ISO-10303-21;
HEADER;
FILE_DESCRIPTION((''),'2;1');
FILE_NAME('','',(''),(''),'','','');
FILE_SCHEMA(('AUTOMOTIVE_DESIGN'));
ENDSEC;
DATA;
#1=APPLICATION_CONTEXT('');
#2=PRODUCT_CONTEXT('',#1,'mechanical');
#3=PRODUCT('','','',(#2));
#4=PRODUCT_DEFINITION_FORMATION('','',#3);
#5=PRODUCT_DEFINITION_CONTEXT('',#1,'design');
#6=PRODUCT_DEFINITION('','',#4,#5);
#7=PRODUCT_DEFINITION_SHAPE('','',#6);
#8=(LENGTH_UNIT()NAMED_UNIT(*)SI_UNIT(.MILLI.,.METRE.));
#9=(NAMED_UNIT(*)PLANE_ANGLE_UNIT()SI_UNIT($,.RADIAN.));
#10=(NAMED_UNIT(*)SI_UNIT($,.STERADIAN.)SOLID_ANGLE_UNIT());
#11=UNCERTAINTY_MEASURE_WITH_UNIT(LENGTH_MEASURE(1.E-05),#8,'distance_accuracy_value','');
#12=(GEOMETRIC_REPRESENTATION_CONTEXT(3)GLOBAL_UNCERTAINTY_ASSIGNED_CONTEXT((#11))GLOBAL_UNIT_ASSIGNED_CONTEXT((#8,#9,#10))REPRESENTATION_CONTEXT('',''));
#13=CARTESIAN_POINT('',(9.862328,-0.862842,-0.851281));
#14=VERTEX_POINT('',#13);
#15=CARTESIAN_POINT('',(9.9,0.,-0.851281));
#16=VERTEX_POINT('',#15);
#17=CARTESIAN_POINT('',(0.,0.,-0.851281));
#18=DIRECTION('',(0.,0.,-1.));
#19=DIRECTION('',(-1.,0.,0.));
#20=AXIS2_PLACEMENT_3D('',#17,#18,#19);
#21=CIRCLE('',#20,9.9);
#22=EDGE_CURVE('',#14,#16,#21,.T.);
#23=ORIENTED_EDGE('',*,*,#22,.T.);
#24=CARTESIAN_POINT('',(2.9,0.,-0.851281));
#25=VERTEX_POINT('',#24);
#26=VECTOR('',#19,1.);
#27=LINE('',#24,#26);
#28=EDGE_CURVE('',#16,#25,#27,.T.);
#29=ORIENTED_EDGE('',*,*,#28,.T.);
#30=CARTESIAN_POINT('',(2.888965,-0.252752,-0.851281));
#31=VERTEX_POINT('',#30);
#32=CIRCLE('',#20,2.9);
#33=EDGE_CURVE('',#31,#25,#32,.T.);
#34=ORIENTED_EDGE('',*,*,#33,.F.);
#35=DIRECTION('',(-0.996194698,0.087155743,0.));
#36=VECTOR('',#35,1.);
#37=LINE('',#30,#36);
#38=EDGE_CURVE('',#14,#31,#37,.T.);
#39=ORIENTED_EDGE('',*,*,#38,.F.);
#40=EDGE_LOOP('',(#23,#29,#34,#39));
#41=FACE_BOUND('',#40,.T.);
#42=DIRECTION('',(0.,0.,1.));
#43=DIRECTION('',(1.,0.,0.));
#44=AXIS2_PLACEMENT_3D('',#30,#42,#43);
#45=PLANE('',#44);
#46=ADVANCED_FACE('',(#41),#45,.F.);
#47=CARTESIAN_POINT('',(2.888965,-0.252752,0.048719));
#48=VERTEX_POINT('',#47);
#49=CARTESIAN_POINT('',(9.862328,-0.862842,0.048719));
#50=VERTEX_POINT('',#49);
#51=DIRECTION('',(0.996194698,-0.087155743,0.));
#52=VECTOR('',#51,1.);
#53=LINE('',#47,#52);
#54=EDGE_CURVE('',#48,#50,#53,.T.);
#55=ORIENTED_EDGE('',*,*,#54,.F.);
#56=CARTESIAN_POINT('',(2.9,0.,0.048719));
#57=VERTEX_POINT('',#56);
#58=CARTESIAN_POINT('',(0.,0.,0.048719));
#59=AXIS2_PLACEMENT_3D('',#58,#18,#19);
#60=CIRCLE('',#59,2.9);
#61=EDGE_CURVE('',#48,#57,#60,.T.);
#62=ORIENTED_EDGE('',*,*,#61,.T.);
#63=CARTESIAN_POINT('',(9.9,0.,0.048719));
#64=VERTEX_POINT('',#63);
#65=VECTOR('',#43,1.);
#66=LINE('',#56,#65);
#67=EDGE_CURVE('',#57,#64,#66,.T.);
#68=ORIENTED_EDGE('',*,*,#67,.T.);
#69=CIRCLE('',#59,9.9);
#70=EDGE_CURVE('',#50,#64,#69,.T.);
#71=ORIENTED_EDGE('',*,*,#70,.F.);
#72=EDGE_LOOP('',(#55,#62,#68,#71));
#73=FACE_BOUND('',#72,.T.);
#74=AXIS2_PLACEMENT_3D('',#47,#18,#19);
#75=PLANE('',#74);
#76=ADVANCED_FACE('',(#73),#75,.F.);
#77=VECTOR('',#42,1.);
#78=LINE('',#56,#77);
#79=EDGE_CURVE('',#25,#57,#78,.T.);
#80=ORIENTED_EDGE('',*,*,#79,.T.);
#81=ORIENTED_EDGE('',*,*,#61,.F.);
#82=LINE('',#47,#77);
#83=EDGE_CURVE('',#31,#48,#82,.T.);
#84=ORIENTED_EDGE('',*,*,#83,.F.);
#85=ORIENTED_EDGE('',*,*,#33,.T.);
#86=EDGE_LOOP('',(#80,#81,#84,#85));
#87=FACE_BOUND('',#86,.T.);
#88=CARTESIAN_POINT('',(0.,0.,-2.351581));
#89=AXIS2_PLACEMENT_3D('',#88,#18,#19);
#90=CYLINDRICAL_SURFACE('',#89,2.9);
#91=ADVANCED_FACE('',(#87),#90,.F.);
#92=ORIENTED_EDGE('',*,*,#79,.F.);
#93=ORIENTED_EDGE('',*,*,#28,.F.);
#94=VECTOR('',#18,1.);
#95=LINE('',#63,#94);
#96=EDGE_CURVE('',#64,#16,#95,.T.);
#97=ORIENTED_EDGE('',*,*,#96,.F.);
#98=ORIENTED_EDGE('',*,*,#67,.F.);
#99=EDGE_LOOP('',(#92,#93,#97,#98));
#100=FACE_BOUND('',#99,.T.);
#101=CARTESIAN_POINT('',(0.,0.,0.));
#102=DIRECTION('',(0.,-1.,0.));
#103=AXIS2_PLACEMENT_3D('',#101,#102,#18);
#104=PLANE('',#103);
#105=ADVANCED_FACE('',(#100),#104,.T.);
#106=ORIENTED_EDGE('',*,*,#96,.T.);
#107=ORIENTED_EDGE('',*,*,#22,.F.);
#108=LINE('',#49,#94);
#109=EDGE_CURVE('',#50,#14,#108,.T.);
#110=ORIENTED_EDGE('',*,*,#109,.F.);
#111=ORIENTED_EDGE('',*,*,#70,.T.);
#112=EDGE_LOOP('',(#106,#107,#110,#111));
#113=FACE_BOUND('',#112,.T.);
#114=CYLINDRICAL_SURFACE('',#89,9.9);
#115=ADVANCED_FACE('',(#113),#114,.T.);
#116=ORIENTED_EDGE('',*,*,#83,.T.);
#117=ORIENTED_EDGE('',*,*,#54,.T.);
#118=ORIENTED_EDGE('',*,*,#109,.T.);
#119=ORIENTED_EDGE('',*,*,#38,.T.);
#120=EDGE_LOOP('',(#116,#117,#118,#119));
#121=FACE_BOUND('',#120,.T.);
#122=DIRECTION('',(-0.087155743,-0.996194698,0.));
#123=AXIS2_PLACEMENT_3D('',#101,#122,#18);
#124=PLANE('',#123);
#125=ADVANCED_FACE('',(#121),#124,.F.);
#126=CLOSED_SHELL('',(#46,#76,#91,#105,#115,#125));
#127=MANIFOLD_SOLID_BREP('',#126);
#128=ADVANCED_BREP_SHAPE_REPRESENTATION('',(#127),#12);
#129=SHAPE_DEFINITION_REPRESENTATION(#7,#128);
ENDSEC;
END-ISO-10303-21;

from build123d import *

# Parameters (mm, degrees)
SKETCH3_W      = 7
SKETCH3_H      = 0.9
REVOLVE1_ANGLE = 355


with BuildPart() as part:
    # Sketch3 → Revolve1 (revolve)
    with BuildSketch(Plane(origin=(0, 0, 0), x_dir=(1, 0, 0), z_dir=(0, 1, 0))):
        with Locations((6.4, 0.401281475)):
            Rectangle(SKETCH3_W, SKETCH3_H)
    revolve(axis=Axis((0, 0, -2.351581475), (0, 0, 1)), revolution_arc=REVOLVE1_ANGLE)


solid = part.part
